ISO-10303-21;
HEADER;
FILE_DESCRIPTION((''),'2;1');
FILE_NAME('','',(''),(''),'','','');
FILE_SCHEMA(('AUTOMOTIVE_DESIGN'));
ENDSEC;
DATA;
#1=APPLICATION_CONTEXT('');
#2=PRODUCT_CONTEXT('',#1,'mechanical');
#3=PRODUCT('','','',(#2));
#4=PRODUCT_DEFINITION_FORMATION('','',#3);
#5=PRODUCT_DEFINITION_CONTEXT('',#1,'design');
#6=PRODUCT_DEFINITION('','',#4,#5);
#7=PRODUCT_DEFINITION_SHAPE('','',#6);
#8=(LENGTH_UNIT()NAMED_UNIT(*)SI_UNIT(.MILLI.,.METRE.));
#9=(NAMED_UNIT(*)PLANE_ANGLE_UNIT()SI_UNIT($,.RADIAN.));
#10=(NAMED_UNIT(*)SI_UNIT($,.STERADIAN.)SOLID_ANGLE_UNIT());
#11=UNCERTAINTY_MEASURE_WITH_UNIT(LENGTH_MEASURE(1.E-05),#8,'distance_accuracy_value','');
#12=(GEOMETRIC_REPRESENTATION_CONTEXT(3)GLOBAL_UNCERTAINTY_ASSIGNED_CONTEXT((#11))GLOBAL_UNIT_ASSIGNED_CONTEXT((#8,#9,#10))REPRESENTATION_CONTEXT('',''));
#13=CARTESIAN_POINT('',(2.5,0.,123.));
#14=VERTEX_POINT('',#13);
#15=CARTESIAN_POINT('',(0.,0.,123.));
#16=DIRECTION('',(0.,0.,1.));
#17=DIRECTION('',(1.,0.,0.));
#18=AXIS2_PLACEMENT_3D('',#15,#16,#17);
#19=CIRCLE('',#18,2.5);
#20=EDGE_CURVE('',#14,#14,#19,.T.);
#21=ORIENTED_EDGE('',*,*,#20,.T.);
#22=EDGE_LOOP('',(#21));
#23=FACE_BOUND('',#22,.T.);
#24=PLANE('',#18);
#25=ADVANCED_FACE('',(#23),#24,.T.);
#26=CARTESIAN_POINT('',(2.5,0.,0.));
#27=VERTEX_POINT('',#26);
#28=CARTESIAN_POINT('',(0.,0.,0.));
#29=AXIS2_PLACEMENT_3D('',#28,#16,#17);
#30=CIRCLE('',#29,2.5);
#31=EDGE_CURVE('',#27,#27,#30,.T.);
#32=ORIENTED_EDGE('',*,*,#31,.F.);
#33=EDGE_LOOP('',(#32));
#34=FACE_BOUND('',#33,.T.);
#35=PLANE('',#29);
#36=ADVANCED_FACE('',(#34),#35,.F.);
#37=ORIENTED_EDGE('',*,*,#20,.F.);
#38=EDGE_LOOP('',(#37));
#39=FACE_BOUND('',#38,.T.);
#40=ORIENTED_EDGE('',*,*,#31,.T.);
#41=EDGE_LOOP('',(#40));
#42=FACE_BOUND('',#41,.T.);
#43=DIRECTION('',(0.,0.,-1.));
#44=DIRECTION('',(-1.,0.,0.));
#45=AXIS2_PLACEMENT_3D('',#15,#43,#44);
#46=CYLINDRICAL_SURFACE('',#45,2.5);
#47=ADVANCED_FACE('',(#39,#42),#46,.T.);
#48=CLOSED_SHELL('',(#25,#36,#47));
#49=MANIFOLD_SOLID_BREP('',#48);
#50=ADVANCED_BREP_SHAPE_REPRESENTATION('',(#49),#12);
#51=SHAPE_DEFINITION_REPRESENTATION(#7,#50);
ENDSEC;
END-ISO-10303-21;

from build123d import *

# Parameters (mm, degrees)
ESQUISSE1_R      = 2.5
EXTRUSION1_DEPTH = 123


with BuildPart() as part:
    # Esquisse1 → Extrusion1 (new body)
    with BuildSketch(Plane.XY):
        Circle(ESQUISSE1_R)
    extrude(amount=EXTRUSION1_DEPTH)


solid = part.part
